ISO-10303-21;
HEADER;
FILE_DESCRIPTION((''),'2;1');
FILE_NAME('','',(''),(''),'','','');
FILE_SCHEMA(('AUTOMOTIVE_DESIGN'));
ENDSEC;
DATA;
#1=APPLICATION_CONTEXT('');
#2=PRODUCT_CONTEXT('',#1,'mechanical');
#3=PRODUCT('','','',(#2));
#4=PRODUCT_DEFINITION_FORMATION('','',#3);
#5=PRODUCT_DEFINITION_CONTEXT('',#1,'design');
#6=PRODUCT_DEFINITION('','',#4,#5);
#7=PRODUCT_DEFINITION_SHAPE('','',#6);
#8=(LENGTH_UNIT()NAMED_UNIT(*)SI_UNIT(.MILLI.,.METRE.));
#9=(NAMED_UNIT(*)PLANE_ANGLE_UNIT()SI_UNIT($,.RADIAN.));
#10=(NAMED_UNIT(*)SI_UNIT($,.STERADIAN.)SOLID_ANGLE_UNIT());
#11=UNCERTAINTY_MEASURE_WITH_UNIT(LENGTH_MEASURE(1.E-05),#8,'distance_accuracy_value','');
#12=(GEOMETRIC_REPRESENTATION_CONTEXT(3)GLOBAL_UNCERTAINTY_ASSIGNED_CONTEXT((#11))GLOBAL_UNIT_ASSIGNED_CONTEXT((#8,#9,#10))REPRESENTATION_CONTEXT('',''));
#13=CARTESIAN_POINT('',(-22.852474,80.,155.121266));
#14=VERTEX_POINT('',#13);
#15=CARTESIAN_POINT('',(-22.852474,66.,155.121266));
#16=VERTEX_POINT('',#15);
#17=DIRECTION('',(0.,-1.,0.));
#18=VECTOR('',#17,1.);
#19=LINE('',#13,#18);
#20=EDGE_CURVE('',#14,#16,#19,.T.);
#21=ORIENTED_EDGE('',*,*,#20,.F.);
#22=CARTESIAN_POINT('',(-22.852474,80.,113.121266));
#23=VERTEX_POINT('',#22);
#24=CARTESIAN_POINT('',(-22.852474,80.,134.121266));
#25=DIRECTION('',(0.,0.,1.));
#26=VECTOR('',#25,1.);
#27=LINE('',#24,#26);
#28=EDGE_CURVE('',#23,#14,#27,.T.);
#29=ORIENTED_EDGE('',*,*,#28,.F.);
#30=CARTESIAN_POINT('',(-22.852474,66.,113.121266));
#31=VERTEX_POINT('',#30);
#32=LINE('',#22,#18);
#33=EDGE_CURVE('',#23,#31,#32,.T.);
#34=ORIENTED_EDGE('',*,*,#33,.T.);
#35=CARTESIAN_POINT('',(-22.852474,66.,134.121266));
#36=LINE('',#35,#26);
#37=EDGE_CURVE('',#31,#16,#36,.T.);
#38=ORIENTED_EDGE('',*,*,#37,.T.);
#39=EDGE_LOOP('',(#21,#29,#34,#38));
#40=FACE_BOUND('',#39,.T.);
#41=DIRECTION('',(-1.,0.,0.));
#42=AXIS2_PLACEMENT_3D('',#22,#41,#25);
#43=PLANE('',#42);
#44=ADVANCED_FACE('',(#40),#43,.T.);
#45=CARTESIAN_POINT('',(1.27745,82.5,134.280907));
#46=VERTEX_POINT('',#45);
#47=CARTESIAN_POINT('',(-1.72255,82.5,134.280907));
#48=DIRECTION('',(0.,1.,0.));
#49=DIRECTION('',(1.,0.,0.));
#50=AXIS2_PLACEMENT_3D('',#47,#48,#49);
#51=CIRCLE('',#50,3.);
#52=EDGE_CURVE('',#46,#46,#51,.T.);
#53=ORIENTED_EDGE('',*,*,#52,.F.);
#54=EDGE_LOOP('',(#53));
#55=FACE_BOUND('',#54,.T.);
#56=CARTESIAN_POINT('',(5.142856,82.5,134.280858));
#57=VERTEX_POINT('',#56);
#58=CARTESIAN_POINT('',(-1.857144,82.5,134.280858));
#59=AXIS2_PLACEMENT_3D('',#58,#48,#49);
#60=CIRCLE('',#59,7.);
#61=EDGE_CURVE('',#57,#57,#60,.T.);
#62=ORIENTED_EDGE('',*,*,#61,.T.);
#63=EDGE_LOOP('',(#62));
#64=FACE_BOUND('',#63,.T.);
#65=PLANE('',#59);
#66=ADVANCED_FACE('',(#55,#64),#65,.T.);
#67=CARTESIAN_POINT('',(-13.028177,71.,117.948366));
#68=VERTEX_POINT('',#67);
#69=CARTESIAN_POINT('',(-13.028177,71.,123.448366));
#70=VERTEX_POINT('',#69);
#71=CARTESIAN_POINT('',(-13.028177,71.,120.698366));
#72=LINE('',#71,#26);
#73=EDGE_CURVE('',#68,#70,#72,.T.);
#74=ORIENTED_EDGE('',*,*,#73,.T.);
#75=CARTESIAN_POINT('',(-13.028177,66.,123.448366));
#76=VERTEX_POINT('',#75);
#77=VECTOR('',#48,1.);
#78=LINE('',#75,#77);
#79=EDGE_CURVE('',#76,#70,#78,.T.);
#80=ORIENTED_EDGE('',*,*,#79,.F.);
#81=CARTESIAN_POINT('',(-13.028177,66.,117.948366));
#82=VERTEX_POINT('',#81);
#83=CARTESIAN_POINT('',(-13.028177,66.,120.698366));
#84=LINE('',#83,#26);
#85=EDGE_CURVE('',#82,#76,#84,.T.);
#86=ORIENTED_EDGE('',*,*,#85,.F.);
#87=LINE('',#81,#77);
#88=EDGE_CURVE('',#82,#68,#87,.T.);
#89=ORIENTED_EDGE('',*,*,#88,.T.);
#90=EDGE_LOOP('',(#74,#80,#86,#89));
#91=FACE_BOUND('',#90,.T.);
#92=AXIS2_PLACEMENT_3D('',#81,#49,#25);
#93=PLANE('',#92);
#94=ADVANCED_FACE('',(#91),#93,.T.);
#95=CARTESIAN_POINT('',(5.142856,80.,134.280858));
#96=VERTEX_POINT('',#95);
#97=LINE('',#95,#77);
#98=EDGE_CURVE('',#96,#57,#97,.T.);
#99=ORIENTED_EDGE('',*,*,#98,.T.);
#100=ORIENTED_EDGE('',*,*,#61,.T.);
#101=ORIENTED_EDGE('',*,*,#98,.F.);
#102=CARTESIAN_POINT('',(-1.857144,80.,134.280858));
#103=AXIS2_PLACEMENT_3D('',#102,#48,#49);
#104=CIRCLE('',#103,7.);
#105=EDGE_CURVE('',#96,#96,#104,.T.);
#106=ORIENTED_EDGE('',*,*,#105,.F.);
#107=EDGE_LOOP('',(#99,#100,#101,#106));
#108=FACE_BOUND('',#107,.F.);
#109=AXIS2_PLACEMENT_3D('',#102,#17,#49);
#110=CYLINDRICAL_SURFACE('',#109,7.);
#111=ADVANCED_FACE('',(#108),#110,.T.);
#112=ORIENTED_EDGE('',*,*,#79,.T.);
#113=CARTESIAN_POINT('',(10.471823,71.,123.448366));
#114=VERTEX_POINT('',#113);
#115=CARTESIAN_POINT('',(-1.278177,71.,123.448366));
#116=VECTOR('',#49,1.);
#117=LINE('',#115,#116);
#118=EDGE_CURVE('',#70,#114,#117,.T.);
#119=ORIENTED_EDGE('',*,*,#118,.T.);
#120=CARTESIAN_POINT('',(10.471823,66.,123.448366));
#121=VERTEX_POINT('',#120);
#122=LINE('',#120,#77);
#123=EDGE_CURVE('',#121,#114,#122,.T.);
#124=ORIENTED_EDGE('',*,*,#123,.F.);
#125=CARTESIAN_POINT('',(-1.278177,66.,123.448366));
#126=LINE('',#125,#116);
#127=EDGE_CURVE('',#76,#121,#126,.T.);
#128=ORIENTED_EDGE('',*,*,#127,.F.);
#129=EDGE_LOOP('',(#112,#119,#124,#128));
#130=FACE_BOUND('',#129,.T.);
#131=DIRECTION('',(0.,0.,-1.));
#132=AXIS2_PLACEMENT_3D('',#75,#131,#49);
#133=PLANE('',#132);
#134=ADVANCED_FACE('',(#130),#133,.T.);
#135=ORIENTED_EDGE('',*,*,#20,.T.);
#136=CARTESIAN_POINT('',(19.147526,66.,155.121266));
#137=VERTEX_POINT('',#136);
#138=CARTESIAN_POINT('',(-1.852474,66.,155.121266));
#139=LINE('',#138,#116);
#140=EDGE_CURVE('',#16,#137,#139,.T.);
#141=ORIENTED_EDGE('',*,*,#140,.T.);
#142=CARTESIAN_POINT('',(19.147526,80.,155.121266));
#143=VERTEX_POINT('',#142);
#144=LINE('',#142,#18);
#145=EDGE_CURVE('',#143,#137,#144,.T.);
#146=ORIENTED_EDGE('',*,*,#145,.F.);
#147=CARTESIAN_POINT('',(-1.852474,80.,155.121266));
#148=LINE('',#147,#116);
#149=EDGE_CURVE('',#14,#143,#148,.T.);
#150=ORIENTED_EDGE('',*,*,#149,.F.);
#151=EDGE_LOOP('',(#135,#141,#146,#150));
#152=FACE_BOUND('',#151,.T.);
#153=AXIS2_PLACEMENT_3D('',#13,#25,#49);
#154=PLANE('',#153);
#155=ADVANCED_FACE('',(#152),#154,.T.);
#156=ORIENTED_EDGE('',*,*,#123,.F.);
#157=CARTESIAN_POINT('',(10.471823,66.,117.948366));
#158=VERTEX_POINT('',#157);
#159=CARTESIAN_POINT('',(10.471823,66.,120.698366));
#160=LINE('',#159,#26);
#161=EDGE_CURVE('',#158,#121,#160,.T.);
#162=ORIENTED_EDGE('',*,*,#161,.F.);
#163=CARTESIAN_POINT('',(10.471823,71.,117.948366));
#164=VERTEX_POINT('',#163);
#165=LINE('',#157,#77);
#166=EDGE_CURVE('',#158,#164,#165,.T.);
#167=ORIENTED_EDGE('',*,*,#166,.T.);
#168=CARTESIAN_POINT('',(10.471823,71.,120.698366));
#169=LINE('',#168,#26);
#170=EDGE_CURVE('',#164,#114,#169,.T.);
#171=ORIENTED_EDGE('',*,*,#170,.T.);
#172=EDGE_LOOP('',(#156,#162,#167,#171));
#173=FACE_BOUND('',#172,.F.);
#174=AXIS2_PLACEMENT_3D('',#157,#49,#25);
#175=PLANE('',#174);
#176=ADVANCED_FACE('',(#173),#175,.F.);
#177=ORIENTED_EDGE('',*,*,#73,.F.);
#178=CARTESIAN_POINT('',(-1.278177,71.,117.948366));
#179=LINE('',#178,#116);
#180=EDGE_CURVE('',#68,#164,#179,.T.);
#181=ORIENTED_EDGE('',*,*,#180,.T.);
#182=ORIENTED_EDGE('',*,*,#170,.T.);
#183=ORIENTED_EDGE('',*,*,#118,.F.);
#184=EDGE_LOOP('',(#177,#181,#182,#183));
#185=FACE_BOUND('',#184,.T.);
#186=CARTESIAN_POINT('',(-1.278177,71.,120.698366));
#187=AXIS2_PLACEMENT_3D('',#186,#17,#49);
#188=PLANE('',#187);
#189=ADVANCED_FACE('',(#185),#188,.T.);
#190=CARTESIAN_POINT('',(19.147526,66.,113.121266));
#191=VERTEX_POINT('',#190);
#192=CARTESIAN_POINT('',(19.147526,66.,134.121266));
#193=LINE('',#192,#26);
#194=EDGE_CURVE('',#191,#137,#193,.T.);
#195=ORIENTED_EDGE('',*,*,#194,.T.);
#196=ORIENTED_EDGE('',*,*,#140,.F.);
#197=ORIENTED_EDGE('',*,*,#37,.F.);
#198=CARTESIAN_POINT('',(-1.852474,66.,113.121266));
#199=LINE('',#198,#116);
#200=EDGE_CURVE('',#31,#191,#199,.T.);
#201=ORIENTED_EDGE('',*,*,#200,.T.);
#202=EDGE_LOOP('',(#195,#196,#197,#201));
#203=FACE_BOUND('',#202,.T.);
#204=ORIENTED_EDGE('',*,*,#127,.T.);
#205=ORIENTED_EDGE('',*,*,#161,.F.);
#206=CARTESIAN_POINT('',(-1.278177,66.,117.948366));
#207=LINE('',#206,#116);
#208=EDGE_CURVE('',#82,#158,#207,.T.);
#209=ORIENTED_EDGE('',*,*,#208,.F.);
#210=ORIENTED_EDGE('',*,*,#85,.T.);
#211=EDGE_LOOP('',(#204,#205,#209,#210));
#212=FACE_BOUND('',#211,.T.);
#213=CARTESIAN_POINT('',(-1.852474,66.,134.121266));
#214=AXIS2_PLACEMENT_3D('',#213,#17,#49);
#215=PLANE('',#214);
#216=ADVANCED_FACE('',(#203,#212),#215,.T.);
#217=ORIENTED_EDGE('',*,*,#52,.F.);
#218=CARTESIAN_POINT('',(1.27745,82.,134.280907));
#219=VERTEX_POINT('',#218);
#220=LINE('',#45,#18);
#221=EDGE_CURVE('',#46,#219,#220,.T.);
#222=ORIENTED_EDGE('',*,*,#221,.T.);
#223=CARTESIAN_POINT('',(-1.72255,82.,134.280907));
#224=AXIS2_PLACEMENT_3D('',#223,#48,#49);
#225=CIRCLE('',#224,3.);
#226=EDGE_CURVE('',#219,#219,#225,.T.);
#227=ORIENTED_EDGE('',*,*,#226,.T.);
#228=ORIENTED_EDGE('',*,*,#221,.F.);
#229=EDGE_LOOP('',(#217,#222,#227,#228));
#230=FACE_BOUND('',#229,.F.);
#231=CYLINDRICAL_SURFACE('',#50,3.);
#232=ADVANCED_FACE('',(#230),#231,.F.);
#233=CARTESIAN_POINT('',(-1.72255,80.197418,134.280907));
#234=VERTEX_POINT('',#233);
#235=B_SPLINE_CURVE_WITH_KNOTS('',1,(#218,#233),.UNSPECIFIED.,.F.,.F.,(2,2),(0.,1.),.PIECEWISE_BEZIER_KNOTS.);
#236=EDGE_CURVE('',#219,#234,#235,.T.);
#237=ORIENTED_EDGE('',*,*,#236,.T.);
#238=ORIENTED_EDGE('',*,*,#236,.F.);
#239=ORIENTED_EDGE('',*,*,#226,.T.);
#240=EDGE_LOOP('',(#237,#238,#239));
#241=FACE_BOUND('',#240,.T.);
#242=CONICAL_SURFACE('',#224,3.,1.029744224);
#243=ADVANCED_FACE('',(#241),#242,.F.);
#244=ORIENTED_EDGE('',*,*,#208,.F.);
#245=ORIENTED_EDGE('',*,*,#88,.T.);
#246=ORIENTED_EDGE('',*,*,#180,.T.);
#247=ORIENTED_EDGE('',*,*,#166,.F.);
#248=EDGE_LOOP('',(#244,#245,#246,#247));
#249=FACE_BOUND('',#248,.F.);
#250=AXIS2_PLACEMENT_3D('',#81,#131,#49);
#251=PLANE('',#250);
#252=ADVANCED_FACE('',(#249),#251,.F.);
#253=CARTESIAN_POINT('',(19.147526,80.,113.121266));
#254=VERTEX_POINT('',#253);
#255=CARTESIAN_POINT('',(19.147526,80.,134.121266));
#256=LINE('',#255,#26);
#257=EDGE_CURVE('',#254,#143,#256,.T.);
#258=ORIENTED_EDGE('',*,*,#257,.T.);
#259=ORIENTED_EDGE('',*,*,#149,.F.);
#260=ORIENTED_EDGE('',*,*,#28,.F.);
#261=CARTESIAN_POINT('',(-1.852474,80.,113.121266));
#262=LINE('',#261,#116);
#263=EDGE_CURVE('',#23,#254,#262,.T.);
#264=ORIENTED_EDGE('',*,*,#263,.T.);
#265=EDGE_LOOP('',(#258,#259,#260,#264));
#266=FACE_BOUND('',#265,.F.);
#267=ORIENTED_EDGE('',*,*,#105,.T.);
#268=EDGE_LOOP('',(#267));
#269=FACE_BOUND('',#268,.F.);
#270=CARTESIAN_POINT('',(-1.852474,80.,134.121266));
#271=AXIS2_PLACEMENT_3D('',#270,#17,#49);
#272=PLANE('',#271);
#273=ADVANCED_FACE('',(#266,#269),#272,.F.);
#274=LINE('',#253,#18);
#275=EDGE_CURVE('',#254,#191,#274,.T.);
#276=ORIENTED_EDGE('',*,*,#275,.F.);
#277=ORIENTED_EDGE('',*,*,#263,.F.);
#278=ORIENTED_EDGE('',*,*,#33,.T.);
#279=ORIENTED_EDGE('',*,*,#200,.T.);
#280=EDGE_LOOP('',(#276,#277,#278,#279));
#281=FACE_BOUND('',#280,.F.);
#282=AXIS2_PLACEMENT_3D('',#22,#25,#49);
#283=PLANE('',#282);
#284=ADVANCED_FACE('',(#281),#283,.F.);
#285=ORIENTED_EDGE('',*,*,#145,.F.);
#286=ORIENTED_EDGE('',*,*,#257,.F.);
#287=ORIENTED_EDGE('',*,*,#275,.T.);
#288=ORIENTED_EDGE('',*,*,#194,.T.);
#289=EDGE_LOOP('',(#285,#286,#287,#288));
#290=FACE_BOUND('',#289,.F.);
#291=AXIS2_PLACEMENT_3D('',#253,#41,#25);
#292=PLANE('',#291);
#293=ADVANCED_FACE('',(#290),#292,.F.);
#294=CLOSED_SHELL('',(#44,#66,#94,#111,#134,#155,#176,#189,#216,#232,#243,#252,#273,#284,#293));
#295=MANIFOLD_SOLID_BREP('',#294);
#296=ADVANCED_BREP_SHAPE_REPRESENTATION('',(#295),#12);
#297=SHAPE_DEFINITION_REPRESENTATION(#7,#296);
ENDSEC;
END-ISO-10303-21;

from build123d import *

# Parameters (mm, degrees)
SKETCH046_W     = 42
SKETCH046_H     = 42
PAD022_DEPTH    = 14
SKETCH047_R     = 7
PAD023_DEPTH    = 2.5
SKETCH048_R     = 3
HOLE_DEPTH      = 0.5
HOLE_TIPS_R     = 3
SKETCH049_W     = 23.5
SKETCH049_H     = 5.5
POCKET008_DEPTH = 5


with BuildPart() as part:
    # Sketch046 → Pad022 (new body)
    with BuildSketch(Plane.XZ):
        with Locations((8.147526, -9.378734)):
            Rectangle(SKETCH046_W, SKETCH046_H)
    extrude(amount=PAD022_DEPTH)

    # Sketch047 (on Face5 of Pad022) → Pad023 (join)
    with BuildSketch(Plane(origin=(0, 0, 0), x_dir=(1, 0, 0), z_dir=(0, 1, 0))):
        with Locations((8.142856, 9.219142)):
            Circle(SKETCH047_R)
    extrude(amount=PAD023_DEPTH)

    # Sketch048 (on Face8 of Pad023) → Hole (cut)
    with BuildSketch(Plane(origin=(0, 2.5, 0), x_dir=(1, 0, 0), z_dir=(0, 1, 0))):
        with Locations((8.27745, 9.219093)):
            Circle(SKETCH048_R)
    extrude(amount=-HOLE_DEPTH, mode=Mode.SUBTRACT)

    # Hole tips → Hole tip 1 section 0
    with BuildSketch(Plane(origin=(0, 2, 0), x_dir=(1, 0, 0), z_dir=(0, 1, 0)), mode=Mode.PRIVATE) as hole_tip_1_s0:
        with Locations((8.27745, 9.219093)):
            Circle(HOLE_TIPS_R)
    loft([hole_tip_1_s0.sketch, Vertex(8.27745, 0.197418, -9.219093)], mode=Mode.SUBTRACT)

    # Sketch049 (on Face5 of Hole) → Pocket008 (cut)
    with BuildSketch(Plane.XZ.offset(14)):
        with Locations((8.721823, -22.801634)):
            Rectangle(SKETCH049_W, SKETCH049_H)
    extrude(amount=-POCKET008_DEPTH, mode=Mode.SUBTRACT)


with BuildPart() as part_1:
    # Body007 placement: moved
    add(part.part.moved(Location((-10, 80, 143.5))))


solid = part_1.part
